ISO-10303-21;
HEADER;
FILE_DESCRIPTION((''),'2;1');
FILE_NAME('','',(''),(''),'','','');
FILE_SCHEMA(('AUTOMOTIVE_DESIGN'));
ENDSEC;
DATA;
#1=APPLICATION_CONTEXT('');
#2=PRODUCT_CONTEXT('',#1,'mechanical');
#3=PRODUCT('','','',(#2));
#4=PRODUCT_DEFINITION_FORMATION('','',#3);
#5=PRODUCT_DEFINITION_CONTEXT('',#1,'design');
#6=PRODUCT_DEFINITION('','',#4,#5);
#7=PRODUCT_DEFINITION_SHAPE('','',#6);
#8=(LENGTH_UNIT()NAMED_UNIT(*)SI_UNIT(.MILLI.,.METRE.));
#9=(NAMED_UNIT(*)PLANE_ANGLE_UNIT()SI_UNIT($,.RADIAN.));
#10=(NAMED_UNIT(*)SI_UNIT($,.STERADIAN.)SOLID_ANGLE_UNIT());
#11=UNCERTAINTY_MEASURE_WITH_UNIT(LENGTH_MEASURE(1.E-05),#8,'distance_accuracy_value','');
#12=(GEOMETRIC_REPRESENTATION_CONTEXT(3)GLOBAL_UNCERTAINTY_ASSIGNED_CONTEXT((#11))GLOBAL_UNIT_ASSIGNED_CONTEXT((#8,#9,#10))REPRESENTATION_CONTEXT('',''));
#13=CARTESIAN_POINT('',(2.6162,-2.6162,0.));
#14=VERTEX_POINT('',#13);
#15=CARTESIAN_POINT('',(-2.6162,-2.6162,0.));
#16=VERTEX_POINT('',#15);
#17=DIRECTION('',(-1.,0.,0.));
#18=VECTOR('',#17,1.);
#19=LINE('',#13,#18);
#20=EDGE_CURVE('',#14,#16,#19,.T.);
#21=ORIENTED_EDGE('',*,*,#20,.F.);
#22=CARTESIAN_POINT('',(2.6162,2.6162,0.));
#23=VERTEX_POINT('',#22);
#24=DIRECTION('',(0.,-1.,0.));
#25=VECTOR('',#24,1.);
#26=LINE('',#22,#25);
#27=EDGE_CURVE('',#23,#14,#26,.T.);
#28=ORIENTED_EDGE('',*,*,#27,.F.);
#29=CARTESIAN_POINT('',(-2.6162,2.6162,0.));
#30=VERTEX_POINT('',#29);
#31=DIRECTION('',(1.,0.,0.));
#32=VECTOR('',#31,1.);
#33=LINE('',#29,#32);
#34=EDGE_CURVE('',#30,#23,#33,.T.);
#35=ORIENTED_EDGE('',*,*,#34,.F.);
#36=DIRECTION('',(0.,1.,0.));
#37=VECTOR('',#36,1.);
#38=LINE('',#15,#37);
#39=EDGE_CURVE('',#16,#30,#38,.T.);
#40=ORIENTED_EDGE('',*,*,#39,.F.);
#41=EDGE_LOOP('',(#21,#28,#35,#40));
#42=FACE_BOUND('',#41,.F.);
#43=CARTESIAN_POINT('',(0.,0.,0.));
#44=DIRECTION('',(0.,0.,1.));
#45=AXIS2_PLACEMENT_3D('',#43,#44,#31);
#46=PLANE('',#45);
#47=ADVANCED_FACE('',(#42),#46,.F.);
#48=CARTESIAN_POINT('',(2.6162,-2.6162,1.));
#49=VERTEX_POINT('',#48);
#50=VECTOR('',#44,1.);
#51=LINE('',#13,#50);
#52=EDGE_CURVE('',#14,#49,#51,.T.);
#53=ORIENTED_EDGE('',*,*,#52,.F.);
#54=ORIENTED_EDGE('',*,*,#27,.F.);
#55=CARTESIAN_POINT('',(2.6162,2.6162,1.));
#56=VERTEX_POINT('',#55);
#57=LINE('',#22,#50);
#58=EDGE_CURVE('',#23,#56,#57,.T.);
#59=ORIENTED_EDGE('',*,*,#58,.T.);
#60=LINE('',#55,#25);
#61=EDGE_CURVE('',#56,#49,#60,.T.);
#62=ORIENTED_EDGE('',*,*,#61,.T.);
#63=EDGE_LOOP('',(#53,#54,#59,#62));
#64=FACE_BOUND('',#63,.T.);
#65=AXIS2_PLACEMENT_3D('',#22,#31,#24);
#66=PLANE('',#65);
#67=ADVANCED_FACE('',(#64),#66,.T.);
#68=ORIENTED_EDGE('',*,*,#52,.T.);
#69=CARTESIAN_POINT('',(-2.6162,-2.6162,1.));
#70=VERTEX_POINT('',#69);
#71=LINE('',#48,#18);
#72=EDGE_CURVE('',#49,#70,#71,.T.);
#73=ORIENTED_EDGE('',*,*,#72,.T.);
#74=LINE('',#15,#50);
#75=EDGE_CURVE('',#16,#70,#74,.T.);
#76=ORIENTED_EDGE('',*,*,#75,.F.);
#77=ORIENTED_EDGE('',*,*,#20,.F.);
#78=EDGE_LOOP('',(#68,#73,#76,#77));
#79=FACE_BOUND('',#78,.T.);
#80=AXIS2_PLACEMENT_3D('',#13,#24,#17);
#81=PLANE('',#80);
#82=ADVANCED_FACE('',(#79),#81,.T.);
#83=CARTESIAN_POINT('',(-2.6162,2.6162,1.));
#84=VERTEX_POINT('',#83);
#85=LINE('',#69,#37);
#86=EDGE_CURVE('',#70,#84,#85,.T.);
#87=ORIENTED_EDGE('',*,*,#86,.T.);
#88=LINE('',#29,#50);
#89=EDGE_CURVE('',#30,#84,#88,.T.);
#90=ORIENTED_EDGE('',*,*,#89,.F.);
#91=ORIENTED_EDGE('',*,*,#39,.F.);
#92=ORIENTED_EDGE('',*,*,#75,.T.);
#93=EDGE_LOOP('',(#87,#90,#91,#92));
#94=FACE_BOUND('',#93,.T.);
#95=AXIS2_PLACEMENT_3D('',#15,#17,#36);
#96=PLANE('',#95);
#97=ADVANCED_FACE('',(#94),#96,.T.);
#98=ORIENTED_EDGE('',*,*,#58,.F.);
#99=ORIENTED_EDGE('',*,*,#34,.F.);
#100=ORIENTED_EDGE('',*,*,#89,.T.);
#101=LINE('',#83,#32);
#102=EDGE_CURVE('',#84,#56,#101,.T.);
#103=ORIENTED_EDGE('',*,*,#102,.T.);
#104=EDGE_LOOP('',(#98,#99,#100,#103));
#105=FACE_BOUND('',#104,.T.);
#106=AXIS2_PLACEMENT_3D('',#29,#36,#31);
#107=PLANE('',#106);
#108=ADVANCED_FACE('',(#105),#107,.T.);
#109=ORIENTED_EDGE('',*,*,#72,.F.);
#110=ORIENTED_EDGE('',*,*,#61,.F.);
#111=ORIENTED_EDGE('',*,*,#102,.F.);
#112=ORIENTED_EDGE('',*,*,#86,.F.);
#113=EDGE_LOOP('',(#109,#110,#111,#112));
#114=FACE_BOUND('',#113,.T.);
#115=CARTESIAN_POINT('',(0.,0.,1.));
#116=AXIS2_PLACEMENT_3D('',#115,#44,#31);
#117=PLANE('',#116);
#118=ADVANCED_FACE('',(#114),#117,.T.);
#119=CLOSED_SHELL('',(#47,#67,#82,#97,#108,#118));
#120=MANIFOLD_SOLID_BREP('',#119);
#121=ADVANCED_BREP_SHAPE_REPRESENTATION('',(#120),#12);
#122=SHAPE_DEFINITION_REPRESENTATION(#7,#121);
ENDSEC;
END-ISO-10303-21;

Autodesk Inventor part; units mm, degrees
ref_plane "YZ Plane" through (0, 0, 0) normal (1, 0, 0) x (0, 1, 0)
ref_plane "XZ Plane" through (0, 0, 0) normal (0, 1, 0) x (-1, 0, 0)
ref_plane "XY Plane" through (0, 0, 0) normal (0, 0, 1) x (1, 0, 0)
sketch "E2-5, E2-5_9" plane through (0, 0, 0) normal (0, 0, 1) x (1, 0, 0)
  line L0 (-2.6162, 2.6162) -> (2.6162, 2.6162)
  line L1 (2.6162, 2.6162) -> (2.6162, -2.6162)
  line L2 (2.6162, -2.6162) -> (-2.6162, -2.6162)
  line L3 (-2.6162, -2.6162) -> (-2.6162, 2.6162)
extrude "Extrusion1" add sketch "E2-5, E2-5_9" along normal blind 1
properties part number "E2-5"
